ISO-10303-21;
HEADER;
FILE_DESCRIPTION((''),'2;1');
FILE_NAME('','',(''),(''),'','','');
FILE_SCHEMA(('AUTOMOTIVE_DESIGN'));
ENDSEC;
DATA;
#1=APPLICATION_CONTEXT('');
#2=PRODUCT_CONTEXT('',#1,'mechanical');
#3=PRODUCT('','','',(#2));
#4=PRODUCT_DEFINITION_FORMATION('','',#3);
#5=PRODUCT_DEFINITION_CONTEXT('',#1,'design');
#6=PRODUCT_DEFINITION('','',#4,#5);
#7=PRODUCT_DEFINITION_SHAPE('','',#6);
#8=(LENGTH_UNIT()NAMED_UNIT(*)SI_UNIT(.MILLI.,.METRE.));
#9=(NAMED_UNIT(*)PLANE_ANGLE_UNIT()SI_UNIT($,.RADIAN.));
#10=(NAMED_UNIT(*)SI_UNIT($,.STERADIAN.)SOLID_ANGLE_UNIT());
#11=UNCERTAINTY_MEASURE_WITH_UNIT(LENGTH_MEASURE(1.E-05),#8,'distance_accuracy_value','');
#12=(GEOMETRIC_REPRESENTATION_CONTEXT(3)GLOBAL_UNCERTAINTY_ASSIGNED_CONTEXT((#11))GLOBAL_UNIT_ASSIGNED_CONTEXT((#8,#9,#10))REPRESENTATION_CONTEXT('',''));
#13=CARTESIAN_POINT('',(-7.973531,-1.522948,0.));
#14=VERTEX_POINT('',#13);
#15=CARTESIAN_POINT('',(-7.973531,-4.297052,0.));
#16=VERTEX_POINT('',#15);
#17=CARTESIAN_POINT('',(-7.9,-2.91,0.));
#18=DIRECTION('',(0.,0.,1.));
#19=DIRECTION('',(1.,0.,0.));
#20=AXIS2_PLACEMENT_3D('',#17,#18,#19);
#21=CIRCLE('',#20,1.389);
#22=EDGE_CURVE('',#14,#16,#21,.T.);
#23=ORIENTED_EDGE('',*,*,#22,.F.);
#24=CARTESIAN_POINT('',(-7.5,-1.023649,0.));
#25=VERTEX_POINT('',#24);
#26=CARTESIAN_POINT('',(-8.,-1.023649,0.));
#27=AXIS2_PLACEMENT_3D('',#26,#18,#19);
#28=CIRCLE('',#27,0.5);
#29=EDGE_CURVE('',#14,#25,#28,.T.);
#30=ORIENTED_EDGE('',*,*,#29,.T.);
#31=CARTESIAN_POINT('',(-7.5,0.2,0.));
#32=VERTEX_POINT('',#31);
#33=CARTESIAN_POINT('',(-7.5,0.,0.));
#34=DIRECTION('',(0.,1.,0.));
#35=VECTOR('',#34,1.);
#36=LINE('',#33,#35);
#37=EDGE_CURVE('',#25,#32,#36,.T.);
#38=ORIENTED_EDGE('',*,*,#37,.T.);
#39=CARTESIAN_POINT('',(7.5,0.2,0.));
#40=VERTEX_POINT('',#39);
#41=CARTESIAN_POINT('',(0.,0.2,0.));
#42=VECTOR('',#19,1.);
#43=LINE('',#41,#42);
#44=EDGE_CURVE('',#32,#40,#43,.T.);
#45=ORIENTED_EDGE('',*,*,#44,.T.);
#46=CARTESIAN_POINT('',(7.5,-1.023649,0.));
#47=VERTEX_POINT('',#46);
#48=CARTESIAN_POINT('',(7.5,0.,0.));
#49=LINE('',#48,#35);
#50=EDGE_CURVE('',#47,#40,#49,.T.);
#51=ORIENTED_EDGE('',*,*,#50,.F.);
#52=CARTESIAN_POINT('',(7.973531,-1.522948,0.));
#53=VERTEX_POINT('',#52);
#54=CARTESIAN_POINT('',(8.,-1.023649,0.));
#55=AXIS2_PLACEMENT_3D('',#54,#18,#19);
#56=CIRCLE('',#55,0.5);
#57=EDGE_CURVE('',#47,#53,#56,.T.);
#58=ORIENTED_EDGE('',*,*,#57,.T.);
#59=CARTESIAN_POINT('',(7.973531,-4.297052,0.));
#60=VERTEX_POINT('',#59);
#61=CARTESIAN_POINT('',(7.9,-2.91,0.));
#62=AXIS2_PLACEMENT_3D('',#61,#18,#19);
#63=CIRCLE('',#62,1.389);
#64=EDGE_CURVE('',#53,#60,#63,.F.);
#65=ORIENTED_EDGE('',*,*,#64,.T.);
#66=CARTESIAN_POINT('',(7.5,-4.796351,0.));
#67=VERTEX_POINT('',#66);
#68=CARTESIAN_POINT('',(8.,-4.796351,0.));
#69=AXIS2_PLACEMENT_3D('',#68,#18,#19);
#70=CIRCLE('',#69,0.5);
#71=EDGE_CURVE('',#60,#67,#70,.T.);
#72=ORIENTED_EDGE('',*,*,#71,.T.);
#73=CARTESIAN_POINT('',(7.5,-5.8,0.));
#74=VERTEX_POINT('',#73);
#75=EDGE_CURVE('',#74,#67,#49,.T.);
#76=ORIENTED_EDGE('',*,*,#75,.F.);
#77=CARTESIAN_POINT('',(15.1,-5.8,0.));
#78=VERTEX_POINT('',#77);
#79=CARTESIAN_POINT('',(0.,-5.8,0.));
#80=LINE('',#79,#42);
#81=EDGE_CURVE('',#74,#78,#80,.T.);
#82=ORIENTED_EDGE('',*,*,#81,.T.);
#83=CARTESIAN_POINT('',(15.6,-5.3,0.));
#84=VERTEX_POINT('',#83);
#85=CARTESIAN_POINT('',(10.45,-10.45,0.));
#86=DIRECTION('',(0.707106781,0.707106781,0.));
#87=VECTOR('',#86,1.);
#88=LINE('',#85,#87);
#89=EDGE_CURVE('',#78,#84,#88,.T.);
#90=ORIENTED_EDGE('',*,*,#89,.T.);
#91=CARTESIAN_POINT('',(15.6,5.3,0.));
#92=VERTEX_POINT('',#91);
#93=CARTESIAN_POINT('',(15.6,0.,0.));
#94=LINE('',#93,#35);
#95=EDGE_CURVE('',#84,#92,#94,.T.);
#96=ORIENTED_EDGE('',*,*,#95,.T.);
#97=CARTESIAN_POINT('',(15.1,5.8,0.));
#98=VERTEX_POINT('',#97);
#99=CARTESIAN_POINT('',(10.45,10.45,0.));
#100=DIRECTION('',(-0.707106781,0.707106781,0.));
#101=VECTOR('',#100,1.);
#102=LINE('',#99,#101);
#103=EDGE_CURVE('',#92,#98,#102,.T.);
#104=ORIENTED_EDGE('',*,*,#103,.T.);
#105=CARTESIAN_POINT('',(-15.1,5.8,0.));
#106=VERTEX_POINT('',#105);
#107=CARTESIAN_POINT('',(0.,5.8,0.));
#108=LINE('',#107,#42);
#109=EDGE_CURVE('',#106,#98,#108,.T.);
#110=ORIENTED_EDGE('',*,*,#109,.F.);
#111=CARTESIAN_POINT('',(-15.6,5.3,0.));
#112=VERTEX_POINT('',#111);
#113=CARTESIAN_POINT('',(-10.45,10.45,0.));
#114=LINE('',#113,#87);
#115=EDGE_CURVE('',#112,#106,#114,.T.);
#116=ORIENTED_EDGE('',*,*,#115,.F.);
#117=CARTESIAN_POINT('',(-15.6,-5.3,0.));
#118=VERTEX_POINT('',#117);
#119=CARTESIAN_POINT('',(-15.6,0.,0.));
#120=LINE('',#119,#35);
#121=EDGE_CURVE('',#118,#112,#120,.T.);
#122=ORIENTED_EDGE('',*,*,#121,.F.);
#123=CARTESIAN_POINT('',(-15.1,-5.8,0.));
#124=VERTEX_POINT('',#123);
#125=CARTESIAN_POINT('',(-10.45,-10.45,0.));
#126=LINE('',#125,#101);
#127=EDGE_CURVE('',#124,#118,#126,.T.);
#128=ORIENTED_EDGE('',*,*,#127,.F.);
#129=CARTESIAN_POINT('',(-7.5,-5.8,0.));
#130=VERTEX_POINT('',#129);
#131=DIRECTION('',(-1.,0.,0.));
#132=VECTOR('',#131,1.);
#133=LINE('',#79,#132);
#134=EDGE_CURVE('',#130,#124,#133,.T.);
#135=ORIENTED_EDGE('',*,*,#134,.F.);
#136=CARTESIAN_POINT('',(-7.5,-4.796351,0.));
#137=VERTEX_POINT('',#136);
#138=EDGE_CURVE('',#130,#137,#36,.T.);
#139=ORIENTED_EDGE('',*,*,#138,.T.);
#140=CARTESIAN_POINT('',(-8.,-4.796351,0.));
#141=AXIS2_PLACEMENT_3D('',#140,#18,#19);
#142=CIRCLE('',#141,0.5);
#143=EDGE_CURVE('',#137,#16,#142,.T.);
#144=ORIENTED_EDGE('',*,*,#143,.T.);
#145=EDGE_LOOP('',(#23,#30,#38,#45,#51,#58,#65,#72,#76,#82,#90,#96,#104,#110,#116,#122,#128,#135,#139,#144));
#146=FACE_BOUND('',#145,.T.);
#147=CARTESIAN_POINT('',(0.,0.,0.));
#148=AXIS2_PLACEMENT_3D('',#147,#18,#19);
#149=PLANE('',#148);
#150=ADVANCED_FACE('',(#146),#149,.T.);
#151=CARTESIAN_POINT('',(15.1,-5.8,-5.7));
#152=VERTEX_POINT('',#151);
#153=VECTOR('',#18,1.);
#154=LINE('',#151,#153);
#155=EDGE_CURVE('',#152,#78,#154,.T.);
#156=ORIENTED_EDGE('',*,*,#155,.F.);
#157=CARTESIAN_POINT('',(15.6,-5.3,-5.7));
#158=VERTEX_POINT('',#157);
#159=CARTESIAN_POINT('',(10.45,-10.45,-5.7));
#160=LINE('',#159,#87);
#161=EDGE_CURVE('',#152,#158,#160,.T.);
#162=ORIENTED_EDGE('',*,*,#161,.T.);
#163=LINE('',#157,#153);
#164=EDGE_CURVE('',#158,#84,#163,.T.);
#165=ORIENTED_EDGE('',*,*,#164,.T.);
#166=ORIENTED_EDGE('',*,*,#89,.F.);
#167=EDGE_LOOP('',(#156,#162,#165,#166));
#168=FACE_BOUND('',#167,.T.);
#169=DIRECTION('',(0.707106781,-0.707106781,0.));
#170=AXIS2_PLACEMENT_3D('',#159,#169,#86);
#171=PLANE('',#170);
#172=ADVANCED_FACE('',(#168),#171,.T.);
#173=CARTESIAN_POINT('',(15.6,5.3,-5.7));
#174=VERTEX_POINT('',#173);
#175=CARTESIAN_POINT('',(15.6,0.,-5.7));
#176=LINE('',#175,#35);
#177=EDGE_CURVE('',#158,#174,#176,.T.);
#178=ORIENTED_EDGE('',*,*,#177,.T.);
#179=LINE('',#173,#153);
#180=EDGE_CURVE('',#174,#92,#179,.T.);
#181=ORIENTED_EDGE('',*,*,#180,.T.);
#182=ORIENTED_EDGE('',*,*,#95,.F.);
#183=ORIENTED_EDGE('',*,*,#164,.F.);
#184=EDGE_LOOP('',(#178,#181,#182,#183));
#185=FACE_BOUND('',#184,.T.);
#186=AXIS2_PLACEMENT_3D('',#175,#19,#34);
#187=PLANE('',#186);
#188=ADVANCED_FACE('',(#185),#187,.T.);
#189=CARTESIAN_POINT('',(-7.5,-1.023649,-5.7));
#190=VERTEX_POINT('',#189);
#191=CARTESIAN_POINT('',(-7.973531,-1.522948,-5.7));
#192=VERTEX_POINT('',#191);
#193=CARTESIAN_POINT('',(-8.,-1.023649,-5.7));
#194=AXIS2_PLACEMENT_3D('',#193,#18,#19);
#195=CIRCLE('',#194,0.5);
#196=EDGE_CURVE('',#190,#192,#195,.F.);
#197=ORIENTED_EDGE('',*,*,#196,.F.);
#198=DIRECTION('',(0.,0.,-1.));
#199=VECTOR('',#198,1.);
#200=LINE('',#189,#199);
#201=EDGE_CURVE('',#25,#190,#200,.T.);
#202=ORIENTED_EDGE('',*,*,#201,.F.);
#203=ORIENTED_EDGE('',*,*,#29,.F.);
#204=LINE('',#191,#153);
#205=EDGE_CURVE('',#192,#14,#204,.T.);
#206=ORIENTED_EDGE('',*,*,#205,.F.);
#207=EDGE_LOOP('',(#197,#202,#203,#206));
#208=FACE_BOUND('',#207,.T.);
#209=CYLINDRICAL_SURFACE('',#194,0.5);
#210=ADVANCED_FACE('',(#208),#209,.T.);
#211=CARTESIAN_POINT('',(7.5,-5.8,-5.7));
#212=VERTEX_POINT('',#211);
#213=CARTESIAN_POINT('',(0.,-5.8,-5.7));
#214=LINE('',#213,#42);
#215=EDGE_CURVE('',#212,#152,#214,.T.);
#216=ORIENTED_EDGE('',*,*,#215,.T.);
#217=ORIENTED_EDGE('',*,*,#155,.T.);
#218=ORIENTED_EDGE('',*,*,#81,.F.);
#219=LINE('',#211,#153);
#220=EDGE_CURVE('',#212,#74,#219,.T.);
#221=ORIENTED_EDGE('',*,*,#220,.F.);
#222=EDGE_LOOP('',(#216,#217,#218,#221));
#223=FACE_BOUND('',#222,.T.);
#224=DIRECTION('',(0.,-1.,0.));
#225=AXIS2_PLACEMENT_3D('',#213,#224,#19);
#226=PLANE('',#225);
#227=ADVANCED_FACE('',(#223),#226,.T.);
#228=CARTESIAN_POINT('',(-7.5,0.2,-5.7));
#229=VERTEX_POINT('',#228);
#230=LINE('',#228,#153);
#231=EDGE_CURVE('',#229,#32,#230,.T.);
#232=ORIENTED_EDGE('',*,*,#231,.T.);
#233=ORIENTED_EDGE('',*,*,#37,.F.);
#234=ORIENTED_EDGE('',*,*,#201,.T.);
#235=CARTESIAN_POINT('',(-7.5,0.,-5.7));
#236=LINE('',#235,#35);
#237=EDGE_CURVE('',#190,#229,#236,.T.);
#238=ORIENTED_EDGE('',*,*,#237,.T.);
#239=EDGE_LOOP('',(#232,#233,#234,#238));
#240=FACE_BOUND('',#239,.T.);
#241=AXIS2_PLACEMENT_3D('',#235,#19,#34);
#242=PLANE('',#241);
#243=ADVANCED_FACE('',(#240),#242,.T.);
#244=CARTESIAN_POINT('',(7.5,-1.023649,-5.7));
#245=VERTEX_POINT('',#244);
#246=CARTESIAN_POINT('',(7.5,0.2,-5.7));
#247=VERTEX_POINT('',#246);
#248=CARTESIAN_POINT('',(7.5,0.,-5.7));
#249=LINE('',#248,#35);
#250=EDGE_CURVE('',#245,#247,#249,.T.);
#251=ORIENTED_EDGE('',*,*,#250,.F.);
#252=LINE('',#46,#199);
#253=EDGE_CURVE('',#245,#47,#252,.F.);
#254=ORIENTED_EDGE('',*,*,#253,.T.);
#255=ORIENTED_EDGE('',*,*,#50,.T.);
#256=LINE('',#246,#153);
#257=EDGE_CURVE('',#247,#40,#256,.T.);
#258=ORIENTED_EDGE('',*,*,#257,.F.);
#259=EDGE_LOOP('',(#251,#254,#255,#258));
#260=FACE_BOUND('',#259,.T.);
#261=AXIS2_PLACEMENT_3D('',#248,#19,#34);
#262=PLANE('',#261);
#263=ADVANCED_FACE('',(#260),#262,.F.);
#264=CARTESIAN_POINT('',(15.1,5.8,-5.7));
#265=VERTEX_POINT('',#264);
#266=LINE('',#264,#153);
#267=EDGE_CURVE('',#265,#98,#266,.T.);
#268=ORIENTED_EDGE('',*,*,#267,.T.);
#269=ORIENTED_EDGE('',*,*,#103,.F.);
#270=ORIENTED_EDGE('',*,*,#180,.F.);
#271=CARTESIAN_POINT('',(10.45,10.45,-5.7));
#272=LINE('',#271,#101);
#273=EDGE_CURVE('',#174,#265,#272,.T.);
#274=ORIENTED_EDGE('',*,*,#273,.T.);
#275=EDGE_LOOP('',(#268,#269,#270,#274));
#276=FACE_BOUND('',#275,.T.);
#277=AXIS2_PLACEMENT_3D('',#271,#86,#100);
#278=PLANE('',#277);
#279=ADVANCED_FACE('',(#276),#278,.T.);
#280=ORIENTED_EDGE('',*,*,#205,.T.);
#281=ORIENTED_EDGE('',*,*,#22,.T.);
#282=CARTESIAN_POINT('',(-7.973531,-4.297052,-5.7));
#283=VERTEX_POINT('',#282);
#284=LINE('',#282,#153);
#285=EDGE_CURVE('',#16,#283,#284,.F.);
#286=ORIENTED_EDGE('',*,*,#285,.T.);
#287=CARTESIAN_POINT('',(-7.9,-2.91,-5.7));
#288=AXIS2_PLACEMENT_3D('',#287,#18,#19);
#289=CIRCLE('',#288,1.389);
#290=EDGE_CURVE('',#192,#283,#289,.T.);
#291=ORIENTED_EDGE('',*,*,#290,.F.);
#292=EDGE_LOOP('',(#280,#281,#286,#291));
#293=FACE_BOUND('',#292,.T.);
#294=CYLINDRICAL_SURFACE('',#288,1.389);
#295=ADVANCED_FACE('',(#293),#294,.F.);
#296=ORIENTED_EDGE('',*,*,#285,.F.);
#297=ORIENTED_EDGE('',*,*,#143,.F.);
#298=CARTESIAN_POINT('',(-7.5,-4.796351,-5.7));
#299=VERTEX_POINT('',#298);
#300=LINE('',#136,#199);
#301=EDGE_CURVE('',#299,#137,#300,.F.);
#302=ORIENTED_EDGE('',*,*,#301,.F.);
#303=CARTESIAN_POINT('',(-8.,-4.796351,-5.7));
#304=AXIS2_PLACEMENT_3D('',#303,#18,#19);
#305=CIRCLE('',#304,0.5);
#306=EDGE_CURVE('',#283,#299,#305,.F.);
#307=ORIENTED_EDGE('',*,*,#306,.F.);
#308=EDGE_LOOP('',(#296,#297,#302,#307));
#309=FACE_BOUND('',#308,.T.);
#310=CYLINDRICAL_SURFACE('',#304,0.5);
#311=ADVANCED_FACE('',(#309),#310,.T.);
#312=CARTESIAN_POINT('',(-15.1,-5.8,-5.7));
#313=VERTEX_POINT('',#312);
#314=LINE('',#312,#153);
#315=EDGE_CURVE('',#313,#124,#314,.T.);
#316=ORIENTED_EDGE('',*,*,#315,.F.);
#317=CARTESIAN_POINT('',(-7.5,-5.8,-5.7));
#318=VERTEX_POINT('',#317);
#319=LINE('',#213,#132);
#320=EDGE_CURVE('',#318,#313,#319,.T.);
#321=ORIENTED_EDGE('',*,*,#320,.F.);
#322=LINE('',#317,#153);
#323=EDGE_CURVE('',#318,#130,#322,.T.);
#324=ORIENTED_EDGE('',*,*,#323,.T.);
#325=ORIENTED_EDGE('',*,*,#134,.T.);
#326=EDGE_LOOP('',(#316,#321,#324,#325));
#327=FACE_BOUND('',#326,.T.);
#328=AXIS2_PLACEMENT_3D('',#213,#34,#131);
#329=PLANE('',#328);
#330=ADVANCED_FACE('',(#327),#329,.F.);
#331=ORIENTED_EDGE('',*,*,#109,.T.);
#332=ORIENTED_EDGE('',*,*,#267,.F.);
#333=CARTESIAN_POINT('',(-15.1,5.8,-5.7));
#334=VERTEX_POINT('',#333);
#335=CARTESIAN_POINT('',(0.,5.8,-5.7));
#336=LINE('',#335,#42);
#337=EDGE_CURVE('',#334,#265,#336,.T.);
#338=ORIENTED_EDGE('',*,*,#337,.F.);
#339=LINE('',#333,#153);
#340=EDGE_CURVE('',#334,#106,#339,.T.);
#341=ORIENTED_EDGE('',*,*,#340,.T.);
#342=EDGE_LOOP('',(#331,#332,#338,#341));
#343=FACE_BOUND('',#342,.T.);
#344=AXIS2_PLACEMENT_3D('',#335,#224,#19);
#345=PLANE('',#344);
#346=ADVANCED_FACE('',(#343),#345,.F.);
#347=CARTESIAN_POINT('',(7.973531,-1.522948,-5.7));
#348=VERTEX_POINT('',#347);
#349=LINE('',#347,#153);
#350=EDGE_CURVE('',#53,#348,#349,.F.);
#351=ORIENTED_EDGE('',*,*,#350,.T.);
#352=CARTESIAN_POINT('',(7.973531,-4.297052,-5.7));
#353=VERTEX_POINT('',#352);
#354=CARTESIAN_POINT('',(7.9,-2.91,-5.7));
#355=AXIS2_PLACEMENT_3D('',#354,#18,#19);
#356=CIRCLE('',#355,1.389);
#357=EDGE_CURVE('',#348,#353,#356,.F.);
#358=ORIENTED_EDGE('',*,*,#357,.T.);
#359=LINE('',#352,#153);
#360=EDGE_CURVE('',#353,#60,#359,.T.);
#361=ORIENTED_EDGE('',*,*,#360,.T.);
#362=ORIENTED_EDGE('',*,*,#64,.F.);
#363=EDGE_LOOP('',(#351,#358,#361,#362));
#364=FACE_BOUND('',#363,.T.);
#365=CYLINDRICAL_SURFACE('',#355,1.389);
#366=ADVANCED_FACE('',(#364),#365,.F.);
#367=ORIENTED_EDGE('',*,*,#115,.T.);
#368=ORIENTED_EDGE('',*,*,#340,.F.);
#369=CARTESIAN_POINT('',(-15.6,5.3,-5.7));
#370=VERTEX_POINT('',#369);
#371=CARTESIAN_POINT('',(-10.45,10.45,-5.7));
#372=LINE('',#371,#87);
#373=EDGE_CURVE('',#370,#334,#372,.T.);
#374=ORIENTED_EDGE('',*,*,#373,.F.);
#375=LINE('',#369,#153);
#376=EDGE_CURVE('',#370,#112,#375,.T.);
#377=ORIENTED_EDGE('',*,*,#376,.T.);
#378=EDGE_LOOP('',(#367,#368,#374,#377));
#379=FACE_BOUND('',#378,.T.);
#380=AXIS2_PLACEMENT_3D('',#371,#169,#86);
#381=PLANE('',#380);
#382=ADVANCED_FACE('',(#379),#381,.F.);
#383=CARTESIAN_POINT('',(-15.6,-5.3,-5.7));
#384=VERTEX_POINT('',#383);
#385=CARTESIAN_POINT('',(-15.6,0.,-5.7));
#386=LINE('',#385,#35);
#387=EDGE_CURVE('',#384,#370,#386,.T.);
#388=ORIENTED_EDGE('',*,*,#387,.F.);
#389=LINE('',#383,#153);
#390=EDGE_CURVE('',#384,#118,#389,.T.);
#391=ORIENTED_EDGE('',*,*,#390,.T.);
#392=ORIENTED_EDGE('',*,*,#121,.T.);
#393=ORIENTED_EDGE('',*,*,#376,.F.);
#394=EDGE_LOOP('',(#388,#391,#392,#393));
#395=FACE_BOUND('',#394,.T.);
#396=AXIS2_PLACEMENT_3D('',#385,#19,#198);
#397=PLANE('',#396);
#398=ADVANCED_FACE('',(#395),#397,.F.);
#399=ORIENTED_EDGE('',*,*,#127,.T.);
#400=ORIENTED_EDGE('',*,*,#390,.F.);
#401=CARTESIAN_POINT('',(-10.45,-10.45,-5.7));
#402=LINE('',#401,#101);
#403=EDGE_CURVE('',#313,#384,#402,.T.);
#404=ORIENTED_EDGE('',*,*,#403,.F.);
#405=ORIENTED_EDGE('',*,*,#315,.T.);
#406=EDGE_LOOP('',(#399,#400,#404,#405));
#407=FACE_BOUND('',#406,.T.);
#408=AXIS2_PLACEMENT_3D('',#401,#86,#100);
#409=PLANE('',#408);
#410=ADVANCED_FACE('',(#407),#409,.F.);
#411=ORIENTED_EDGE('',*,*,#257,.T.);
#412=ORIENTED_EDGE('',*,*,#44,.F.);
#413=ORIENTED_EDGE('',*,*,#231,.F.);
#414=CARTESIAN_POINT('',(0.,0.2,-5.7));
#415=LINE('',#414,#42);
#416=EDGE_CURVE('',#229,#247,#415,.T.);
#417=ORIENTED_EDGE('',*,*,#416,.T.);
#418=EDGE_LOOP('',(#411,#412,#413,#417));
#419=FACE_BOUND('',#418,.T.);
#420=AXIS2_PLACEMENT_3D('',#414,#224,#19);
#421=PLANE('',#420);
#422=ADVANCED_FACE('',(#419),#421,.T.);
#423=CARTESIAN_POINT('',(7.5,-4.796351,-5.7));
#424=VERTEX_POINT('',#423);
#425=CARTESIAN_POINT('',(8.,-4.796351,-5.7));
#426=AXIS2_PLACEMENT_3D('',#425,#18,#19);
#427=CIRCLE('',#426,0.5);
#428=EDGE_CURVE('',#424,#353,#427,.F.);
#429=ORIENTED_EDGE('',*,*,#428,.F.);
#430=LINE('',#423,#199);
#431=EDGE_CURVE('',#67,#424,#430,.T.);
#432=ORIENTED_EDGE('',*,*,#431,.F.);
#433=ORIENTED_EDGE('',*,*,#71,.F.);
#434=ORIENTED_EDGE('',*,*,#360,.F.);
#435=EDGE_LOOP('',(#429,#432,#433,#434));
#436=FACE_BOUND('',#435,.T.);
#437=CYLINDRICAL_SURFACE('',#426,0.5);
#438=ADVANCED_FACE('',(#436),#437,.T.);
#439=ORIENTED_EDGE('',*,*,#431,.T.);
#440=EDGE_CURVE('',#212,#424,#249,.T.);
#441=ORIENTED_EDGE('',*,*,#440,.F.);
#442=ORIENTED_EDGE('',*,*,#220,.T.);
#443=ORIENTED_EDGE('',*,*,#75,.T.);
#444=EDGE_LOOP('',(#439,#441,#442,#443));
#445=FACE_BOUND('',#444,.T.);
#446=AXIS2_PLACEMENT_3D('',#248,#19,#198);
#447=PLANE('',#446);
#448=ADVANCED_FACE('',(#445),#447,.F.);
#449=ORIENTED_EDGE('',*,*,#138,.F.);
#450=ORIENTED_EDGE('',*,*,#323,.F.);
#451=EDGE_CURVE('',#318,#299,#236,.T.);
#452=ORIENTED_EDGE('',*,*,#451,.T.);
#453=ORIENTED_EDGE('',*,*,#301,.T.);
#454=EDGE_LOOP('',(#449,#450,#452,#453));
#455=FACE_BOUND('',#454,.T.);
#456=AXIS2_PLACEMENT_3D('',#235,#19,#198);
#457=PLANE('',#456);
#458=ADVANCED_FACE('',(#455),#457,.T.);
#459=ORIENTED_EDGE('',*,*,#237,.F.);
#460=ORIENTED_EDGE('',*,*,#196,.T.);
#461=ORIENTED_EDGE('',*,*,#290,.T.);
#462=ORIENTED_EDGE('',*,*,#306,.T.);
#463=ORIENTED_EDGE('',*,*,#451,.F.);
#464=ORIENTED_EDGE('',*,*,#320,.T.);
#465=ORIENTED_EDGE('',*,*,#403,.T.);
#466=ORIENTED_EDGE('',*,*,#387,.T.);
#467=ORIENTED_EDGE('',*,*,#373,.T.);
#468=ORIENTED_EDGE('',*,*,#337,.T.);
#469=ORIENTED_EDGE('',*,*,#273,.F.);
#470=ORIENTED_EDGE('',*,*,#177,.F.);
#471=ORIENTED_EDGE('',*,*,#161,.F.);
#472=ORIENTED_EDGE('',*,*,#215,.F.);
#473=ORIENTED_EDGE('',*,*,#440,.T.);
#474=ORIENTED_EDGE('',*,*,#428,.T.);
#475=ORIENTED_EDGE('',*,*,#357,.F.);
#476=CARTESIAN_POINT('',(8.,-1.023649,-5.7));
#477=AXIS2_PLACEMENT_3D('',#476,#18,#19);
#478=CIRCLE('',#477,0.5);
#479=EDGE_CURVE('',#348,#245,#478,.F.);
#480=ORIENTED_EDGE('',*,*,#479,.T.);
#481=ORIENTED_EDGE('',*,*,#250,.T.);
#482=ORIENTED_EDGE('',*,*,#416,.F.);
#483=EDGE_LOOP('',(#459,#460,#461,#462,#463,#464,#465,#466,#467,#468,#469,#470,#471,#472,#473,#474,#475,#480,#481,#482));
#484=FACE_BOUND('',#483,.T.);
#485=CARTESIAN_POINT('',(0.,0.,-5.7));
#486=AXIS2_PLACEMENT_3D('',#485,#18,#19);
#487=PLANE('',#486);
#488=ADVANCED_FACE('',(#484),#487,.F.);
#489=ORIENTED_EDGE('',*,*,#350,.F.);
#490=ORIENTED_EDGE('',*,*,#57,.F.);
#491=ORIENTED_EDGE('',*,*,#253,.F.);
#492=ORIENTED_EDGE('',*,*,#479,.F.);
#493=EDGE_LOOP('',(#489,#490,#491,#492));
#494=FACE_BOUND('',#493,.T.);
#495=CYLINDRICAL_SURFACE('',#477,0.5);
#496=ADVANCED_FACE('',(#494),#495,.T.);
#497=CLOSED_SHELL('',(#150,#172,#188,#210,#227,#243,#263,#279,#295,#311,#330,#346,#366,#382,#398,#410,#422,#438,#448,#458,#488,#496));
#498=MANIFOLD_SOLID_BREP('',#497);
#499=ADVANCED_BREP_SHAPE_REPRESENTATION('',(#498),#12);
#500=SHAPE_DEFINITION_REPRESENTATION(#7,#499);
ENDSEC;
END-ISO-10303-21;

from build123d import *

# Parameters (mm, degrees)
BOSS_EXTRUDE1_DEPTH = 5.7
FILLET1_R           = 0.5


with BuildPart() as part:
    # Sketch1 → Boss-Extrude1 (new body)
    with BuildSketch(Plane.XY):
        with BuildLine():
            Line((7.5, -1.579841739), (7.5, 0.2))
            Line((7.5, 0.2), (-7.5, 0.2))
            Line((-7.5, 0.2), (-7.5, -1.579841739))
            ThreePointArc((-7.5, -1.579841739), (-9.289, -2.91), (-7.5, -4.240158261))
            Line((-7.5, -4.240158261), (-7.5, -5.8))
            Line((-7.5, -5.8), (-15.1, -5.8))
            Line((-15.1, -5.8), (-15.6, -5.3))
            Line((-15.6, -5.3), (-15.6, 5.3))
            Line((-15.6, 5.3), (-15.1, 5.8))
            Line((-15.1, 5.8), (15.1, 5.8))
            Line((15.1, 5.8), (15.6, 5.3))
            Line((15.6, 5.3), (15.6, -5.3))
            Line((15.6, -5.3), (15.1, -5.8))
            Line((15.1, -5.8), (7.5, -5.8))
            Line((7.5, -5.8), (7.5, -4.240158261))
            ThreePointArc((7.5, -4.240158261), (9.289, -2.91), (7.5, -1.579841739))
        make_face()
    extrude(amount=-BOSS_EXTRUDE1_DEPTH)

    # Fillet1
    fillet1_edges = [part.edges().sort_by_distance(p)[0] for p in [
        (-7.5, -1.579841739, -2.85),
        (-7.5, -4.240158261, -2.85),
        (7.5, -4.240158261, -2.85),
        (7.5, -1.579841739, -2.85),
    ]]
    fillet(fillet1_edges, radius=FILLET1_R)


solid = part.part
